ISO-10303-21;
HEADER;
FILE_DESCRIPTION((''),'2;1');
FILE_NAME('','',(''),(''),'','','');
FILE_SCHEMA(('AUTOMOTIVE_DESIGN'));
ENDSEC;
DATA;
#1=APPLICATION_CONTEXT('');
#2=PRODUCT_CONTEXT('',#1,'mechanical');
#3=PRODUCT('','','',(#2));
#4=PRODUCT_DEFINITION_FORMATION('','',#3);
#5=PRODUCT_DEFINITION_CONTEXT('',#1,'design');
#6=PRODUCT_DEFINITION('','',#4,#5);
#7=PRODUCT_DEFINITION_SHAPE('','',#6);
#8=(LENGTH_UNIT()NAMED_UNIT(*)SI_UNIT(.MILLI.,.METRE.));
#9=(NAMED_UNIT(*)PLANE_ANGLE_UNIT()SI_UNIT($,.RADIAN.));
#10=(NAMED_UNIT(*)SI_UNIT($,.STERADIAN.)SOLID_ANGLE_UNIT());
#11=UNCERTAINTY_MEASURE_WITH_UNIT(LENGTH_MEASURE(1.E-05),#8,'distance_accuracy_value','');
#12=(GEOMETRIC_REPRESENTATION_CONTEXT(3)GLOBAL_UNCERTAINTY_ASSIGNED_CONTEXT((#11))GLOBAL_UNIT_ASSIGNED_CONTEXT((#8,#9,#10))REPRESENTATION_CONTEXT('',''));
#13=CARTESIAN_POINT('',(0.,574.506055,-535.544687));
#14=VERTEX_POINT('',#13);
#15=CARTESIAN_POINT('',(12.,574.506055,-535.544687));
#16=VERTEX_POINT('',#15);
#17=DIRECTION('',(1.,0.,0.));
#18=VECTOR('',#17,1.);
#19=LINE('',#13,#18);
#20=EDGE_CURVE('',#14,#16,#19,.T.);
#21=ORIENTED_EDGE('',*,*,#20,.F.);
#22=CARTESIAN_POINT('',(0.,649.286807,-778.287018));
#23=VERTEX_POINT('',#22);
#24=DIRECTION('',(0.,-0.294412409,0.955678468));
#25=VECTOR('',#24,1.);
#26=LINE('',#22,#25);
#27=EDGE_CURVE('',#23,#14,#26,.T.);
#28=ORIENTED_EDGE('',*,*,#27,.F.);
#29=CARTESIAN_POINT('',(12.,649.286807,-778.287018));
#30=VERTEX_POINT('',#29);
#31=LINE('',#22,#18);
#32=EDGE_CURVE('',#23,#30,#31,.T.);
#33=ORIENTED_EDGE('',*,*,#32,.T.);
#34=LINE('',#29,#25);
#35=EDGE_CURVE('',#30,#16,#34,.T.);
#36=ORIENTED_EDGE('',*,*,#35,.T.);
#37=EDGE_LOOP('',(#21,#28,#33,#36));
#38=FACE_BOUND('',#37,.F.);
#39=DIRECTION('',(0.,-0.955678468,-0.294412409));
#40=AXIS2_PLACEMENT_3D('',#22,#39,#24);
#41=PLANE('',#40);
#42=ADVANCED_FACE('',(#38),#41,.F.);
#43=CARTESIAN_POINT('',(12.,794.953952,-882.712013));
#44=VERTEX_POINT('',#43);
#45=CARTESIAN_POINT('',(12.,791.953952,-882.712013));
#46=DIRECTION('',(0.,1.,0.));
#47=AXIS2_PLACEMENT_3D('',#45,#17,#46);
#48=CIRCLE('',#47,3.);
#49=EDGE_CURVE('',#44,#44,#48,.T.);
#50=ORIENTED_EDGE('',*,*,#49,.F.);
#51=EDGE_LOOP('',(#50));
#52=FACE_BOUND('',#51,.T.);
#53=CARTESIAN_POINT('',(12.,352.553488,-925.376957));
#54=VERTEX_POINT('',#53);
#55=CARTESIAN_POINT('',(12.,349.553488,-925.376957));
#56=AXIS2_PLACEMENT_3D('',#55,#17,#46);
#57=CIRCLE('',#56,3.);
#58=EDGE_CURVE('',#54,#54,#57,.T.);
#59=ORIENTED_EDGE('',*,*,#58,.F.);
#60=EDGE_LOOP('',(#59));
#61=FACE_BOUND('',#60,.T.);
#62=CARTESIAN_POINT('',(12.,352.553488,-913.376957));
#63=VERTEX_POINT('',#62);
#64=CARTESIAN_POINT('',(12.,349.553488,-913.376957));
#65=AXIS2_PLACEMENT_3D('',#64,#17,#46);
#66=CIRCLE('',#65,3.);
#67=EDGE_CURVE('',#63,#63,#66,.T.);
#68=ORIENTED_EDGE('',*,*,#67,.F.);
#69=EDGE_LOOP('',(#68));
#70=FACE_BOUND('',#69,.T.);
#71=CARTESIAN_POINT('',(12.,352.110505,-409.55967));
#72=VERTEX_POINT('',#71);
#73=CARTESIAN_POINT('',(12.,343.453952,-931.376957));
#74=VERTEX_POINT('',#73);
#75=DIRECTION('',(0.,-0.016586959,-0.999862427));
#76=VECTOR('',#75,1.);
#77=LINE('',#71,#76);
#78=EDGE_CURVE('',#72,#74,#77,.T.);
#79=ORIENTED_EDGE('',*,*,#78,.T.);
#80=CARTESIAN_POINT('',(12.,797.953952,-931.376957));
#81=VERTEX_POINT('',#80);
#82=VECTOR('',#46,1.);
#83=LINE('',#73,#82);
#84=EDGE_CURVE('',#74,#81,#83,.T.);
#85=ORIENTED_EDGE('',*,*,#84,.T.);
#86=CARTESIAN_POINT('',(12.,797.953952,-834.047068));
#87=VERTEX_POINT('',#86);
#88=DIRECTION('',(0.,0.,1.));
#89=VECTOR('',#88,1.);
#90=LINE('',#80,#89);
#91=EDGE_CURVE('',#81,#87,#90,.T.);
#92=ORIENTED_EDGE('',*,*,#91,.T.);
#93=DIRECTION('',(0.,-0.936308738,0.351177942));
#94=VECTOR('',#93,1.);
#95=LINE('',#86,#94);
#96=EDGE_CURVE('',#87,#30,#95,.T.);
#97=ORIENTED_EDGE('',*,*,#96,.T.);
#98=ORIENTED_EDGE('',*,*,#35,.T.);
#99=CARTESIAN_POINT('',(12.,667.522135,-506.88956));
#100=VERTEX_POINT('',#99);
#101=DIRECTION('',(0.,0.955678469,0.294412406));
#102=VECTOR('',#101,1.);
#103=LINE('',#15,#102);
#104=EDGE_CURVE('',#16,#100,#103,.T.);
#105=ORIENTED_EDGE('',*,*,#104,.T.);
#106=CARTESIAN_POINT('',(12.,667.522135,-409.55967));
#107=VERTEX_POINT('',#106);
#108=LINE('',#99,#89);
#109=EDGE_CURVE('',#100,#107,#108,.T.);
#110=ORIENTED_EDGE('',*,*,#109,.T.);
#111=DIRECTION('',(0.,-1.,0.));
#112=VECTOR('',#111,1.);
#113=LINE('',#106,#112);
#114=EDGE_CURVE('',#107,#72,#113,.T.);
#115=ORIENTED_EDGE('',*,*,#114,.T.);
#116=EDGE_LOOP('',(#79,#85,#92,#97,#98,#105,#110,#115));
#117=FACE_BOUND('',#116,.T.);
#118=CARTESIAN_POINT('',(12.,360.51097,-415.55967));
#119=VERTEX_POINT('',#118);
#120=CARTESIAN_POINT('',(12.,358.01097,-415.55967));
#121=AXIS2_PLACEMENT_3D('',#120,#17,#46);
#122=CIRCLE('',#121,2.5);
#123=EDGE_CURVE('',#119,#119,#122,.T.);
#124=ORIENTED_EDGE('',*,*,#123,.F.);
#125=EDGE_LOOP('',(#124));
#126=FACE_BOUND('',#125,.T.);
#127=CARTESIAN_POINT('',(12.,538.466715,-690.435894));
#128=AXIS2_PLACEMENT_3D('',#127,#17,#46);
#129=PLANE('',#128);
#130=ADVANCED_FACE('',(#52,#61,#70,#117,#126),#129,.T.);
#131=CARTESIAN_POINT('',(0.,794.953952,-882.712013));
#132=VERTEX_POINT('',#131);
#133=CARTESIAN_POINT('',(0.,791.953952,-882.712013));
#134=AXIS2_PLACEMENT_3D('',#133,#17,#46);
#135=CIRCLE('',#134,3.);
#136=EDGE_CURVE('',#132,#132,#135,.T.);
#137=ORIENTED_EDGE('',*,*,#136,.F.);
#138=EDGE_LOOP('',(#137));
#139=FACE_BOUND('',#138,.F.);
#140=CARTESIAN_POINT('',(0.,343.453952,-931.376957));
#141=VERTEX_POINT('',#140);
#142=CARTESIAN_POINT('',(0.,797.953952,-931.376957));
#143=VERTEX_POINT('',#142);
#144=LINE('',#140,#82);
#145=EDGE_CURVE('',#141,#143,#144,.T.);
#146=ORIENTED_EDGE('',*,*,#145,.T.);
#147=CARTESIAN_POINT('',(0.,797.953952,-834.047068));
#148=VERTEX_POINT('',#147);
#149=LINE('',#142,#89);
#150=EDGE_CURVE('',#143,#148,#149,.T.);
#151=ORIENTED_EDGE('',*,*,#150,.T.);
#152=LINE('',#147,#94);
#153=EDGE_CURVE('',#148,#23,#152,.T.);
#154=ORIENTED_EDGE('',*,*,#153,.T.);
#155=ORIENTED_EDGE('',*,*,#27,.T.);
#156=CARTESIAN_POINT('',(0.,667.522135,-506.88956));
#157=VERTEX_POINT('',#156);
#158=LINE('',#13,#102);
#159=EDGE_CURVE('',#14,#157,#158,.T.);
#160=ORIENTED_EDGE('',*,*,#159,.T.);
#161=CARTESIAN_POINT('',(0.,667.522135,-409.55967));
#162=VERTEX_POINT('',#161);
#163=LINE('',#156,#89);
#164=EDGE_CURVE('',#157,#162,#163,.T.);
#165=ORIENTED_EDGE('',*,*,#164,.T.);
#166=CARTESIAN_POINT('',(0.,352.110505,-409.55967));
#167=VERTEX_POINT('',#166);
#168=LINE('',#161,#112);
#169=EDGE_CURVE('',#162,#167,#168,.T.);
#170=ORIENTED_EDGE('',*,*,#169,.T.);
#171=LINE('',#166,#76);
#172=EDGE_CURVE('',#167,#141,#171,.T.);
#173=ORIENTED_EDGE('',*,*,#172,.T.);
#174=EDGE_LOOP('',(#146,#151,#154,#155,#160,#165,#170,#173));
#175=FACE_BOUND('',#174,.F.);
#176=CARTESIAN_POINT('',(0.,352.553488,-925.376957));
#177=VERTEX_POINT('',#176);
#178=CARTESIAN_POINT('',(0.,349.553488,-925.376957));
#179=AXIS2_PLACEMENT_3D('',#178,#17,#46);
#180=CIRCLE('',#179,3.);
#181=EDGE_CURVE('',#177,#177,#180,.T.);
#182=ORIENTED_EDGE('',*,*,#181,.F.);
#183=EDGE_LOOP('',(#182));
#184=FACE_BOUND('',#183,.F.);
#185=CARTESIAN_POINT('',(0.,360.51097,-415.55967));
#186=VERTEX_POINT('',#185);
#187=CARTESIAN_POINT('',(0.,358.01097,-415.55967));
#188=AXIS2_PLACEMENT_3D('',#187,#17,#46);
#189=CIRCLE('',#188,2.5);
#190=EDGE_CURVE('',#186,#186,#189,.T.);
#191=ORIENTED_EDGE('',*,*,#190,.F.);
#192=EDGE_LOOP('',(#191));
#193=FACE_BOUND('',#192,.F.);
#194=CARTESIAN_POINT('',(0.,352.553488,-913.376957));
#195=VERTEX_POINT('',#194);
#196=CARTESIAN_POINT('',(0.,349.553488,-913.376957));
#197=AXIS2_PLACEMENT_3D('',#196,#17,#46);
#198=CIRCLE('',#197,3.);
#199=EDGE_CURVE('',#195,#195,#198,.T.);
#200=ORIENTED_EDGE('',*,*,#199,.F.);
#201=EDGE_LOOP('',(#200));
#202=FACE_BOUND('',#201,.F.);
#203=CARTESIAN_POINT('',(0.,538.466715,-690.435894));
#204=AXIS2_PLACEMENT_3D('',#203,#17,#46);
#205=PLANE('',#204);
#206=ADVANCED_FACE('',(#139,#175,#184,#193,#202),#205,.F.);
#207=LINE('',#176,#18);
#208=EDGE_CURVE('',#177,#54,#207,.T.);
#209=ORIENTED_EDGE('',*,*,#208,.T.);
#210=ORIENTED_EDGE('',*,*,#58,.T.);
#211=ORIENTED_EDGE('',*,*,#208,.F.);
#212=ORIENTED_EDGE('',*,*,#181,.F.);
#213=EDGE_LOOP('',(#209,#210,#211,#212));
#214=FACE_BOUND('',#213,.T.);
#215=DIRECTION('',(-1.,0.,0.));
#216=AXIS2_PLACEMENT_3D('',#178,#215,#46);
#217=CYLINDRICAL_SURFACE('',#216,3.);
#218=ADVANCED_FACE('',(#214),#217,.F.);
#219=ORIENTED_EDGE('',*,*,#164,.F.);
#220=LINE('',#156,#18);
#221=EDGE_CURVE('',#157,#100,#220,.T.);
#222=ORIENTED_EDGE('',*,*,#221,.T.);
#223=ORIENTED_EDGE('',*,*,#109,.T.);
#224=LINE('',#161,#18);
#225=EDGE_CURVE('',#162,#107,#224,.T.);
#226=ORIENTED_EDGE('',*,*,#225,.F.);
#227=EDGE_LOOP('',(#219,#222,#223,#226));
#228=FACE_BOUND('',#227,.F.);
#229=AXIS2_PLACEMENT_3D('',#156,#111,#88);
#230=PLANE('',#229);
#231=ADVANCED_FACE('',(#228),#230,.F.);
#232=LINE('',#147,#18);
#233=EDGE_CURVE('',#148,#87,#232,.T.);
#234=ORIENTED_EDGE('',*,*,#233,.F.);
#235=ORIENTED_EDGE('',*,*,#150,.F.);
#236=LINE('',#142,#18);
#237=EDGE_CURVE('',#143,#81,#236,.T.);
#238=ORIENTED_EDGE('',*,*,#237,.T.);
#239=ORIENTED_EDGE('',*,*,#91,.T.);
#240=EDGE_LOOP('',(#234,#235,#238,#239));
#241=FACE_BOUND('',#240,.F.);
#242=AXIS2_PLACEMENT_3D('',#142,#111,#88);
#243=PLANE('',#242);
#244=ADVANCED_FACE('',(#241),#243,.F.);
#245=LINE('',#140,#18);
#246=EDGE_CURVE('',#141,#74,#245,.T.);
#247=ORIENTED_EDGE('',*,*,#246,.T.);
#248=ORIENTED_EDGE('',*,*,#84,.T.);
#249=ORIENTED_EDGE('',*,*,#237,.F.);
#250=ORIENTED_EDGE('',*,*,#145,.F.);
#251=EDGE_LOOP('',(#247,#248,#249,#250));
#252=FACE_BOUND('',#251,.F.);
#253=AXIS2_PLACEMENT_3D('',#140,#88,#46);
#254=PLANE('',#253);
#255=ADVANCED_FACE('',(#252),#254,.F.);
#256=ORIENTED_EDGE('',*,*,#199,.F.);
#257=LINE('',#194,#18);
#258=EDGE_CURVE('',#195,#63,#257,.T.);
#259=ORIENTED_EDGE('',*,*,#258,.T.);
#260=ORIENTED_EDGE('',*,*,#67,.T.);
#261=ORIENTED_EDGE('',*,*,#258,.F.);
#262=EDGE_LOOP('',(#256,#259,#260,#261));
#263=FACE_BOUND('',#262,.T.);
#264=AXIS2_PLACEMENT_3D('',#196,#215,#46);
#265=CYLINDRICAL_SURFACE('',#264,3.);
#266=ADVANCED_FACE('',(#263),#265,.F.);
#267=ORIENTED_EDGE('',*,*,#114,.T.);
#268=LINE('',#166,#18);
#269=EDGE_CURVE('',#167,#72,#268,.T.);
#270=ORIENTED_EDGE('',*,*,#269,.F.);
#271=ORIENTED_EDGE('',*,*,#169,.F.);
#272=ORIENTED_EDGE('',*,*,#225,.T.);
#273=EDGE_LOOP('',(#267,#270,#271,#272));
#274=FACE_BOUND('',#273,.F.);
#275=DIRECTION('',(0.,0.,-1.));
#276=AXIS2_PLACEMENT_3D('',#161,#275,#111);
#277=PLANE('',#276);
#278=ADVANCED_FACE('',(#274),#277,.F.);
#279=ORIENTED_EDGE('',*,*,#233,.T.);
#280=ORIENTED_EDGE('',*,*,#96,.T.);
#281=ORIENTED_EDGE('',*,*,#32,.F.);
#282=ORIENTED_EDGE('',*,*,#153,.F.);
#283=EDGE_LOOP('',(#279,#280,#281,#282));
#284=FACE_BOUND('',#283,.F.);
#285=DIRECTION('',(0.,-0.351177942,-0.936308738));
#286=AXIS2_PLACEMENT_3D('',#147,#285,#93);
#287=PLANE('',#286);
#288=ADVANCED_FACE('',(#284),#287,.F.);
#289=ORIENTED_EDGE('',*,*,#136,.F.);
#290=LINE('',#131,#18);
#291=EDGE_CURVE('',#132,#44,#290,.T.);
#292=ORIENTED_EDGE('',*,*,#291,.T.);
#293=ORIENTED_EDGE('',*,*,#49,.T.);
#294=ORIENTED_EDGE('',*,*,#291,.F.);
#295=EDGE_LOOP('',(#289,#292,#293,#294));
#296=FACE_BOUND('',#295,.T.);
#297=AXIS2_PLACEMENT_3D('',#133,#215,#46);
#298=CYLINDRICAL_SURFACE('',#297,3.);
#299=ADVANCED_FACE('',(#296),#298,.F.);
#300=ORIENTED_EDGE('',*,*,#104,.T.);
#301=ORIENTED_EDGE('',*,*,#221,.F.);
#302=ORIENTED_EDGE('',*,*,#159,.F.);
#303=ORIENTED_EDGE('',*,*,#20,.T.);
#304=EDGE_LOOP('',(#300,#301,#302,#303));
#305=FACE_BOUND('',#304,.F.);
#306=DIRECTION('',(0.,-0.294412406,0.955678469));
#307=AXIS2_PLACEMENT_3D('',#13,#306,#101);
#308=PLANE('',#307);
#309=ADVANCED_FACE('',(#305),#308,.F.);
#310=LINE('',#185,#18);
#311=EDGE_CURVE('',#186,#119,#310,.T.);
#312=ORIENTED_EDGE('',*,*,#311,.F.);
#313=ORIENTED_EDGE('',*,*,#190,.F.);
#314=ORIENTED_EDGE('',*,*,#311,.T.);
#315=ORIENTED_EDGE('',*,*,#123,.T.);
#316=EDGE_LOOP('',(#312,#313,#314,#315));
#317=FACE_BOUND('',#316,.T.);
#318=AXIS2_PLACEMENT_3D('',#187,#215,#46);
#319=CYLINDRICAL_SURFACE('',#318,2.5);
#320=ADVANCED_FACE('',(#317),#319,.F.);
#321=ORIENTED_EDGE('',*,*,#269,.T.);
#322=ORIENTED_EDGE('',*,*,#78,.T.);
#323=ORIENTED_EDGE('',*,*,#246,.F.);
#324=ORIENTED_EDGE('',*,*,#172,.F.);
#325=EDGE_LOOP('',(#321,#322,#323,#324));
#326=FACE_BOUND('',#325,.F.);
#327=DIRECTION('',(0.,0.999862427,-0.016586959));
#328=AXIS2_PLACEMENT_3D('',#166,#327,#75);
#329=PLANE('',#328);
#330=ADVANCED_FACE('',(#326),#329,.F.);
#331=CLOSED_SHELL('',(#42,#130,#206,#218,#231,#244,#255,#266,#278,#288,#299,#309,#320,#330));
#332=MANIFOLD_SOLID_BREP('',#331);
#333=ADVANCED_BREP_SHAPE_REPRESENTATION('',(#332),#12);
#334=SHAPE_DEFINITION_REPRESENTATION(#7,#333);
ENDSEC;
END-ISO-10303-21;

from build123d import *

# Parameters (mm, degrees)
F0_R     = 3
F0_R_2   = 2.5
F1_DEPTH = 12


with BuildPart() as f1:
    # F0 (on Right) → F1 (new body)
    with BuildSketch(Plane.YZ):
        Polygon((352.110505, -409.55967), (343.453952, -931.376957), (797.953952, -931.376957), (797.953952, -834.047068), (649.286807, -778.287018), (574.506055, -535.544687), (667.522135, -506.88956), (667.522135, -409.55967), align=None)
        with Locations((349.553488, -925.376957)):
            Circle(F0_R, mode=Mode.SUBTRACT)
        with Locations((349.553488, -913.376957)):
            Circle(F0_R, mode=Mode.SUBTRACT)
        with Locations((791.953952, -882.712013)):
            Circle(F0_R, mode=Mode.SUBTRACT)
        with Locations((358.01097, -415.55967)):
            Circle(F0_R_2, mode=Mode.SUBTRACT)
    extrude(amount=F1_DEPTH)


solid = f1.part
